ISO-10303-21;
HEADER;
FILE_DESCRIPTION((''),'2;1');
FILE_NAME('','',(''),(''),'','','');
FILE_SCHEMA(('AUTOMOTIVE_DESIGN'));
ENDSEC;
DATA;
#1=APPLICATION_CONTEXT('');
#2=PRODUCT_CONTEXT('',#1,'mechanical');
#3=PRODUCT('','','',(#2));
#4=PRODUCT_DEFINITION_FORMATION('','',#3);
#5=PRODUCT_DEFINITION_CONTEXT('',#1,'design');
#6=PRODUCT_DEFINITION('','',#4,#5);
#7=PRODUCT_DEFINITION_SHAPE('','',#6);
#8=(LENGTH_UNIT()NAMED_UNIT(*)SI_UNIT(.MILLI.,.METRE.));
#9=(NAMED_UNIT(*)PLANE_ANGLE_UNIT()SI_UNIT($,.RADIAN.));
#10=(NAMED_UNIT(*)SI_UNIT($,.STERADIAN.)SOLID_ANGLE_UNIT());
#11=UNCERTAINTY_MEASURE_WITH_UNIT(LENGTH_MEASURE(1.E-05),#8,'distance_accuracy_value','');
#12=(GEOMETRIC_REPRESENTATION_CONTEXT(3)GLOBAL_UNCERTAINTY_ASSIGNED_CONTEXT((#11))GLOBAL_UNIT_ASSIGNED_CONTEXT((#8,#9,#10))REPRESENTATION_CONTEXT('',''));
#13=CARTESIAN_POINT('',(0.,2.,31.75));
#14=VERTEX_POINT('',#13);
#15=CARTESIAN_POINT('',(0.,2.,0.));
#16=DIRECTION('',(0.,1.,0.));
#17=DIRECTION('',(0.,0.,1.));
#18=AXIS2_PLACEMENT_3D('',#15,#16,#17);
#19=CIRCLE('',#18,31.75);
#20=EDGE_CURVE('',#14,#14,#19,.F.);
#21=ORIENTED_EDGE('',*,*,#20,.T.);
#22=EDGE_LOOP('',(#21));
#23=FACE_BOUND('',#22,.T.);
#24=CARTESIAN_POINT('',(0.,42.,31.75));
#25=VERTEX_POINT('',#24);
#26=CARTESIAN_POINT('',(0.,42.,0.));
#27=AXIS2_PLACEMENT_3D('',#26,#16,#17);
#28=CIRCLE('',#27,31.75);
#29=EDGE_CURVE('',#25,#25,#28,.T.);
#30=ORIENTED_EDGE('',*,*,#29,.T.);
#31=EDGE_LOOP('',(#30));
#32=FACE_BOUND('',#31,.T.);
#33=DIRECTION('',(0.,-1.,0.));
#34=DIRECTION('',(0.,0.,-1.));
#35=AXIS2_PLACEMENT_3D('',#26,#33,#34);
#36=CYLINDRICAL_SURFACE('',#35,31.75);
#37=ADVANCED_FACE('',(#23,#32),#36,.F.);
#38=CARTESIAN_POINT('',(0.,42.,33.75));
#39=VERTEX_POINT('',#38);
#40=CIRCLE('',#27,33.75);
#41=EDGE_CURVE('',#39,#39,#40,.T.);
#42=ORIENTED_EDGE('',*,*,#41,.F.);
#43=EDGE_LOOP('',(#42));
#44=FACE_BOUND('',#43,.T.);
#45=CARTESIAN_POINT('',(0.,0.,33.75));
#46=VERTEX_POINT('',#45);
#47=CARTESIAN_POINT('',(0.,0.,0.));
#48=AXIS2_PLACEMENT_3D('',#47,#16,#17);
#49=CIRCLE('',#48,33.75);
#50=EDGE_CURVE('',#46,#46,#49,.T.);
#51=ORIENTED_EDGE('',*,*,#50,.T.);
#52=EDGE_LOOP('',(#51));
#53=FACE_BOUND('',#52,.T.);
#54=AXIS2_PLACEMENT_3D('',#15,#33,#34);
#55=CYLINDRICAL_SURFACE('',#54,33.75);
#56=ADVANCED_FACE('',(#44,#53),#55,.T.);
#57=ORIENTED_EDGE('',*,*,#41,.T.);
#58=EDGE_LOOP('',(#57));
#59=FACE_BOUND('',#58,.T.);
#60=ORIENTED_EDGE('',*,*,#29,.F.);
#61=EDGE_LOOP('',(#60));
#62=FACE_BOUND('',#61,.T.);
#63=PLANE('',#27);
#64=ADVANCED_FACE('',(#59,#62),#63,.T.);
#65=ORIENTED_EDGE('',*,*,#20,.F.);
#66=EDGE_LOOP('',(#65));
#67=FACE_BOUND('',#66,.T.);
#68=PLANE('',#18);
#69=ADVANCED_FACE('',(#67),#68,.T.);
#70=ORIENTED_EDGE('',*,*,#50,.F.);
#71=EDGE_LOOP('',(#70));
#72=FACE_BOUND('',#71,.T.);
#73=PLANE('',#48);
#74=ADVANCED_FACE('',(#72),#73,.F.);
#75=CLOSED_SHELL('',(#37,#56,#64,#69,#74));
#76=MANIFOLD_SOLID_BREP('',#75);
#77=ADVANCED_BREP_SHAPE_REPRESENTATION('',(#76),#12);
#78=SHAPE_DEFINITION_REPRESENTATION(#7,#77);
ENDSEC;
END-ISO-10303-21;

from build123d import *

# Parameters (mm, degrees)
SKETCH1_R           = 33.75
BOSS_EXTRUDE1_DEPTH = 2
SKETCH2_R           = 33.75
SKETCH2_R_2         = 31.75
BOSS_EXTRUDE2_DEPTH = 40


with BuildPart() as part:
    # Sketch1 → Boss-Extrude1 (new body)
    with BuildSketch(Plane(origin=(0, 0, 0), x_dir=(1, 0, 0), z_dir=(0, 1, 0))):
        with Locations(Location((0, 0, 0), (0, 0, 270))):
            Circle(SKETCH1_R)
    extrude(amount=BOSS_EXTRUDE1_DEPTH)

    # Sketch2 → Boss-Extrude2 (add)
    with BuildSketch(Plane(origin=(0, 2, 0), x_dir=(1, 0, 0), z_dir=(0, 1, 0))):
        with Locations(Location((0, 0, 0), (0, 0, 270))):
            Circle(SKETCH2_R)
        with Locations(Location((0, 0, 0), (0, 0, 270))):
            Circle(SKETCH2_R_2, mode=Mode.SUBTRACT)
    extrude(amount=BOSS_EXTRUDE2_DEPTH)


solid = part.part
